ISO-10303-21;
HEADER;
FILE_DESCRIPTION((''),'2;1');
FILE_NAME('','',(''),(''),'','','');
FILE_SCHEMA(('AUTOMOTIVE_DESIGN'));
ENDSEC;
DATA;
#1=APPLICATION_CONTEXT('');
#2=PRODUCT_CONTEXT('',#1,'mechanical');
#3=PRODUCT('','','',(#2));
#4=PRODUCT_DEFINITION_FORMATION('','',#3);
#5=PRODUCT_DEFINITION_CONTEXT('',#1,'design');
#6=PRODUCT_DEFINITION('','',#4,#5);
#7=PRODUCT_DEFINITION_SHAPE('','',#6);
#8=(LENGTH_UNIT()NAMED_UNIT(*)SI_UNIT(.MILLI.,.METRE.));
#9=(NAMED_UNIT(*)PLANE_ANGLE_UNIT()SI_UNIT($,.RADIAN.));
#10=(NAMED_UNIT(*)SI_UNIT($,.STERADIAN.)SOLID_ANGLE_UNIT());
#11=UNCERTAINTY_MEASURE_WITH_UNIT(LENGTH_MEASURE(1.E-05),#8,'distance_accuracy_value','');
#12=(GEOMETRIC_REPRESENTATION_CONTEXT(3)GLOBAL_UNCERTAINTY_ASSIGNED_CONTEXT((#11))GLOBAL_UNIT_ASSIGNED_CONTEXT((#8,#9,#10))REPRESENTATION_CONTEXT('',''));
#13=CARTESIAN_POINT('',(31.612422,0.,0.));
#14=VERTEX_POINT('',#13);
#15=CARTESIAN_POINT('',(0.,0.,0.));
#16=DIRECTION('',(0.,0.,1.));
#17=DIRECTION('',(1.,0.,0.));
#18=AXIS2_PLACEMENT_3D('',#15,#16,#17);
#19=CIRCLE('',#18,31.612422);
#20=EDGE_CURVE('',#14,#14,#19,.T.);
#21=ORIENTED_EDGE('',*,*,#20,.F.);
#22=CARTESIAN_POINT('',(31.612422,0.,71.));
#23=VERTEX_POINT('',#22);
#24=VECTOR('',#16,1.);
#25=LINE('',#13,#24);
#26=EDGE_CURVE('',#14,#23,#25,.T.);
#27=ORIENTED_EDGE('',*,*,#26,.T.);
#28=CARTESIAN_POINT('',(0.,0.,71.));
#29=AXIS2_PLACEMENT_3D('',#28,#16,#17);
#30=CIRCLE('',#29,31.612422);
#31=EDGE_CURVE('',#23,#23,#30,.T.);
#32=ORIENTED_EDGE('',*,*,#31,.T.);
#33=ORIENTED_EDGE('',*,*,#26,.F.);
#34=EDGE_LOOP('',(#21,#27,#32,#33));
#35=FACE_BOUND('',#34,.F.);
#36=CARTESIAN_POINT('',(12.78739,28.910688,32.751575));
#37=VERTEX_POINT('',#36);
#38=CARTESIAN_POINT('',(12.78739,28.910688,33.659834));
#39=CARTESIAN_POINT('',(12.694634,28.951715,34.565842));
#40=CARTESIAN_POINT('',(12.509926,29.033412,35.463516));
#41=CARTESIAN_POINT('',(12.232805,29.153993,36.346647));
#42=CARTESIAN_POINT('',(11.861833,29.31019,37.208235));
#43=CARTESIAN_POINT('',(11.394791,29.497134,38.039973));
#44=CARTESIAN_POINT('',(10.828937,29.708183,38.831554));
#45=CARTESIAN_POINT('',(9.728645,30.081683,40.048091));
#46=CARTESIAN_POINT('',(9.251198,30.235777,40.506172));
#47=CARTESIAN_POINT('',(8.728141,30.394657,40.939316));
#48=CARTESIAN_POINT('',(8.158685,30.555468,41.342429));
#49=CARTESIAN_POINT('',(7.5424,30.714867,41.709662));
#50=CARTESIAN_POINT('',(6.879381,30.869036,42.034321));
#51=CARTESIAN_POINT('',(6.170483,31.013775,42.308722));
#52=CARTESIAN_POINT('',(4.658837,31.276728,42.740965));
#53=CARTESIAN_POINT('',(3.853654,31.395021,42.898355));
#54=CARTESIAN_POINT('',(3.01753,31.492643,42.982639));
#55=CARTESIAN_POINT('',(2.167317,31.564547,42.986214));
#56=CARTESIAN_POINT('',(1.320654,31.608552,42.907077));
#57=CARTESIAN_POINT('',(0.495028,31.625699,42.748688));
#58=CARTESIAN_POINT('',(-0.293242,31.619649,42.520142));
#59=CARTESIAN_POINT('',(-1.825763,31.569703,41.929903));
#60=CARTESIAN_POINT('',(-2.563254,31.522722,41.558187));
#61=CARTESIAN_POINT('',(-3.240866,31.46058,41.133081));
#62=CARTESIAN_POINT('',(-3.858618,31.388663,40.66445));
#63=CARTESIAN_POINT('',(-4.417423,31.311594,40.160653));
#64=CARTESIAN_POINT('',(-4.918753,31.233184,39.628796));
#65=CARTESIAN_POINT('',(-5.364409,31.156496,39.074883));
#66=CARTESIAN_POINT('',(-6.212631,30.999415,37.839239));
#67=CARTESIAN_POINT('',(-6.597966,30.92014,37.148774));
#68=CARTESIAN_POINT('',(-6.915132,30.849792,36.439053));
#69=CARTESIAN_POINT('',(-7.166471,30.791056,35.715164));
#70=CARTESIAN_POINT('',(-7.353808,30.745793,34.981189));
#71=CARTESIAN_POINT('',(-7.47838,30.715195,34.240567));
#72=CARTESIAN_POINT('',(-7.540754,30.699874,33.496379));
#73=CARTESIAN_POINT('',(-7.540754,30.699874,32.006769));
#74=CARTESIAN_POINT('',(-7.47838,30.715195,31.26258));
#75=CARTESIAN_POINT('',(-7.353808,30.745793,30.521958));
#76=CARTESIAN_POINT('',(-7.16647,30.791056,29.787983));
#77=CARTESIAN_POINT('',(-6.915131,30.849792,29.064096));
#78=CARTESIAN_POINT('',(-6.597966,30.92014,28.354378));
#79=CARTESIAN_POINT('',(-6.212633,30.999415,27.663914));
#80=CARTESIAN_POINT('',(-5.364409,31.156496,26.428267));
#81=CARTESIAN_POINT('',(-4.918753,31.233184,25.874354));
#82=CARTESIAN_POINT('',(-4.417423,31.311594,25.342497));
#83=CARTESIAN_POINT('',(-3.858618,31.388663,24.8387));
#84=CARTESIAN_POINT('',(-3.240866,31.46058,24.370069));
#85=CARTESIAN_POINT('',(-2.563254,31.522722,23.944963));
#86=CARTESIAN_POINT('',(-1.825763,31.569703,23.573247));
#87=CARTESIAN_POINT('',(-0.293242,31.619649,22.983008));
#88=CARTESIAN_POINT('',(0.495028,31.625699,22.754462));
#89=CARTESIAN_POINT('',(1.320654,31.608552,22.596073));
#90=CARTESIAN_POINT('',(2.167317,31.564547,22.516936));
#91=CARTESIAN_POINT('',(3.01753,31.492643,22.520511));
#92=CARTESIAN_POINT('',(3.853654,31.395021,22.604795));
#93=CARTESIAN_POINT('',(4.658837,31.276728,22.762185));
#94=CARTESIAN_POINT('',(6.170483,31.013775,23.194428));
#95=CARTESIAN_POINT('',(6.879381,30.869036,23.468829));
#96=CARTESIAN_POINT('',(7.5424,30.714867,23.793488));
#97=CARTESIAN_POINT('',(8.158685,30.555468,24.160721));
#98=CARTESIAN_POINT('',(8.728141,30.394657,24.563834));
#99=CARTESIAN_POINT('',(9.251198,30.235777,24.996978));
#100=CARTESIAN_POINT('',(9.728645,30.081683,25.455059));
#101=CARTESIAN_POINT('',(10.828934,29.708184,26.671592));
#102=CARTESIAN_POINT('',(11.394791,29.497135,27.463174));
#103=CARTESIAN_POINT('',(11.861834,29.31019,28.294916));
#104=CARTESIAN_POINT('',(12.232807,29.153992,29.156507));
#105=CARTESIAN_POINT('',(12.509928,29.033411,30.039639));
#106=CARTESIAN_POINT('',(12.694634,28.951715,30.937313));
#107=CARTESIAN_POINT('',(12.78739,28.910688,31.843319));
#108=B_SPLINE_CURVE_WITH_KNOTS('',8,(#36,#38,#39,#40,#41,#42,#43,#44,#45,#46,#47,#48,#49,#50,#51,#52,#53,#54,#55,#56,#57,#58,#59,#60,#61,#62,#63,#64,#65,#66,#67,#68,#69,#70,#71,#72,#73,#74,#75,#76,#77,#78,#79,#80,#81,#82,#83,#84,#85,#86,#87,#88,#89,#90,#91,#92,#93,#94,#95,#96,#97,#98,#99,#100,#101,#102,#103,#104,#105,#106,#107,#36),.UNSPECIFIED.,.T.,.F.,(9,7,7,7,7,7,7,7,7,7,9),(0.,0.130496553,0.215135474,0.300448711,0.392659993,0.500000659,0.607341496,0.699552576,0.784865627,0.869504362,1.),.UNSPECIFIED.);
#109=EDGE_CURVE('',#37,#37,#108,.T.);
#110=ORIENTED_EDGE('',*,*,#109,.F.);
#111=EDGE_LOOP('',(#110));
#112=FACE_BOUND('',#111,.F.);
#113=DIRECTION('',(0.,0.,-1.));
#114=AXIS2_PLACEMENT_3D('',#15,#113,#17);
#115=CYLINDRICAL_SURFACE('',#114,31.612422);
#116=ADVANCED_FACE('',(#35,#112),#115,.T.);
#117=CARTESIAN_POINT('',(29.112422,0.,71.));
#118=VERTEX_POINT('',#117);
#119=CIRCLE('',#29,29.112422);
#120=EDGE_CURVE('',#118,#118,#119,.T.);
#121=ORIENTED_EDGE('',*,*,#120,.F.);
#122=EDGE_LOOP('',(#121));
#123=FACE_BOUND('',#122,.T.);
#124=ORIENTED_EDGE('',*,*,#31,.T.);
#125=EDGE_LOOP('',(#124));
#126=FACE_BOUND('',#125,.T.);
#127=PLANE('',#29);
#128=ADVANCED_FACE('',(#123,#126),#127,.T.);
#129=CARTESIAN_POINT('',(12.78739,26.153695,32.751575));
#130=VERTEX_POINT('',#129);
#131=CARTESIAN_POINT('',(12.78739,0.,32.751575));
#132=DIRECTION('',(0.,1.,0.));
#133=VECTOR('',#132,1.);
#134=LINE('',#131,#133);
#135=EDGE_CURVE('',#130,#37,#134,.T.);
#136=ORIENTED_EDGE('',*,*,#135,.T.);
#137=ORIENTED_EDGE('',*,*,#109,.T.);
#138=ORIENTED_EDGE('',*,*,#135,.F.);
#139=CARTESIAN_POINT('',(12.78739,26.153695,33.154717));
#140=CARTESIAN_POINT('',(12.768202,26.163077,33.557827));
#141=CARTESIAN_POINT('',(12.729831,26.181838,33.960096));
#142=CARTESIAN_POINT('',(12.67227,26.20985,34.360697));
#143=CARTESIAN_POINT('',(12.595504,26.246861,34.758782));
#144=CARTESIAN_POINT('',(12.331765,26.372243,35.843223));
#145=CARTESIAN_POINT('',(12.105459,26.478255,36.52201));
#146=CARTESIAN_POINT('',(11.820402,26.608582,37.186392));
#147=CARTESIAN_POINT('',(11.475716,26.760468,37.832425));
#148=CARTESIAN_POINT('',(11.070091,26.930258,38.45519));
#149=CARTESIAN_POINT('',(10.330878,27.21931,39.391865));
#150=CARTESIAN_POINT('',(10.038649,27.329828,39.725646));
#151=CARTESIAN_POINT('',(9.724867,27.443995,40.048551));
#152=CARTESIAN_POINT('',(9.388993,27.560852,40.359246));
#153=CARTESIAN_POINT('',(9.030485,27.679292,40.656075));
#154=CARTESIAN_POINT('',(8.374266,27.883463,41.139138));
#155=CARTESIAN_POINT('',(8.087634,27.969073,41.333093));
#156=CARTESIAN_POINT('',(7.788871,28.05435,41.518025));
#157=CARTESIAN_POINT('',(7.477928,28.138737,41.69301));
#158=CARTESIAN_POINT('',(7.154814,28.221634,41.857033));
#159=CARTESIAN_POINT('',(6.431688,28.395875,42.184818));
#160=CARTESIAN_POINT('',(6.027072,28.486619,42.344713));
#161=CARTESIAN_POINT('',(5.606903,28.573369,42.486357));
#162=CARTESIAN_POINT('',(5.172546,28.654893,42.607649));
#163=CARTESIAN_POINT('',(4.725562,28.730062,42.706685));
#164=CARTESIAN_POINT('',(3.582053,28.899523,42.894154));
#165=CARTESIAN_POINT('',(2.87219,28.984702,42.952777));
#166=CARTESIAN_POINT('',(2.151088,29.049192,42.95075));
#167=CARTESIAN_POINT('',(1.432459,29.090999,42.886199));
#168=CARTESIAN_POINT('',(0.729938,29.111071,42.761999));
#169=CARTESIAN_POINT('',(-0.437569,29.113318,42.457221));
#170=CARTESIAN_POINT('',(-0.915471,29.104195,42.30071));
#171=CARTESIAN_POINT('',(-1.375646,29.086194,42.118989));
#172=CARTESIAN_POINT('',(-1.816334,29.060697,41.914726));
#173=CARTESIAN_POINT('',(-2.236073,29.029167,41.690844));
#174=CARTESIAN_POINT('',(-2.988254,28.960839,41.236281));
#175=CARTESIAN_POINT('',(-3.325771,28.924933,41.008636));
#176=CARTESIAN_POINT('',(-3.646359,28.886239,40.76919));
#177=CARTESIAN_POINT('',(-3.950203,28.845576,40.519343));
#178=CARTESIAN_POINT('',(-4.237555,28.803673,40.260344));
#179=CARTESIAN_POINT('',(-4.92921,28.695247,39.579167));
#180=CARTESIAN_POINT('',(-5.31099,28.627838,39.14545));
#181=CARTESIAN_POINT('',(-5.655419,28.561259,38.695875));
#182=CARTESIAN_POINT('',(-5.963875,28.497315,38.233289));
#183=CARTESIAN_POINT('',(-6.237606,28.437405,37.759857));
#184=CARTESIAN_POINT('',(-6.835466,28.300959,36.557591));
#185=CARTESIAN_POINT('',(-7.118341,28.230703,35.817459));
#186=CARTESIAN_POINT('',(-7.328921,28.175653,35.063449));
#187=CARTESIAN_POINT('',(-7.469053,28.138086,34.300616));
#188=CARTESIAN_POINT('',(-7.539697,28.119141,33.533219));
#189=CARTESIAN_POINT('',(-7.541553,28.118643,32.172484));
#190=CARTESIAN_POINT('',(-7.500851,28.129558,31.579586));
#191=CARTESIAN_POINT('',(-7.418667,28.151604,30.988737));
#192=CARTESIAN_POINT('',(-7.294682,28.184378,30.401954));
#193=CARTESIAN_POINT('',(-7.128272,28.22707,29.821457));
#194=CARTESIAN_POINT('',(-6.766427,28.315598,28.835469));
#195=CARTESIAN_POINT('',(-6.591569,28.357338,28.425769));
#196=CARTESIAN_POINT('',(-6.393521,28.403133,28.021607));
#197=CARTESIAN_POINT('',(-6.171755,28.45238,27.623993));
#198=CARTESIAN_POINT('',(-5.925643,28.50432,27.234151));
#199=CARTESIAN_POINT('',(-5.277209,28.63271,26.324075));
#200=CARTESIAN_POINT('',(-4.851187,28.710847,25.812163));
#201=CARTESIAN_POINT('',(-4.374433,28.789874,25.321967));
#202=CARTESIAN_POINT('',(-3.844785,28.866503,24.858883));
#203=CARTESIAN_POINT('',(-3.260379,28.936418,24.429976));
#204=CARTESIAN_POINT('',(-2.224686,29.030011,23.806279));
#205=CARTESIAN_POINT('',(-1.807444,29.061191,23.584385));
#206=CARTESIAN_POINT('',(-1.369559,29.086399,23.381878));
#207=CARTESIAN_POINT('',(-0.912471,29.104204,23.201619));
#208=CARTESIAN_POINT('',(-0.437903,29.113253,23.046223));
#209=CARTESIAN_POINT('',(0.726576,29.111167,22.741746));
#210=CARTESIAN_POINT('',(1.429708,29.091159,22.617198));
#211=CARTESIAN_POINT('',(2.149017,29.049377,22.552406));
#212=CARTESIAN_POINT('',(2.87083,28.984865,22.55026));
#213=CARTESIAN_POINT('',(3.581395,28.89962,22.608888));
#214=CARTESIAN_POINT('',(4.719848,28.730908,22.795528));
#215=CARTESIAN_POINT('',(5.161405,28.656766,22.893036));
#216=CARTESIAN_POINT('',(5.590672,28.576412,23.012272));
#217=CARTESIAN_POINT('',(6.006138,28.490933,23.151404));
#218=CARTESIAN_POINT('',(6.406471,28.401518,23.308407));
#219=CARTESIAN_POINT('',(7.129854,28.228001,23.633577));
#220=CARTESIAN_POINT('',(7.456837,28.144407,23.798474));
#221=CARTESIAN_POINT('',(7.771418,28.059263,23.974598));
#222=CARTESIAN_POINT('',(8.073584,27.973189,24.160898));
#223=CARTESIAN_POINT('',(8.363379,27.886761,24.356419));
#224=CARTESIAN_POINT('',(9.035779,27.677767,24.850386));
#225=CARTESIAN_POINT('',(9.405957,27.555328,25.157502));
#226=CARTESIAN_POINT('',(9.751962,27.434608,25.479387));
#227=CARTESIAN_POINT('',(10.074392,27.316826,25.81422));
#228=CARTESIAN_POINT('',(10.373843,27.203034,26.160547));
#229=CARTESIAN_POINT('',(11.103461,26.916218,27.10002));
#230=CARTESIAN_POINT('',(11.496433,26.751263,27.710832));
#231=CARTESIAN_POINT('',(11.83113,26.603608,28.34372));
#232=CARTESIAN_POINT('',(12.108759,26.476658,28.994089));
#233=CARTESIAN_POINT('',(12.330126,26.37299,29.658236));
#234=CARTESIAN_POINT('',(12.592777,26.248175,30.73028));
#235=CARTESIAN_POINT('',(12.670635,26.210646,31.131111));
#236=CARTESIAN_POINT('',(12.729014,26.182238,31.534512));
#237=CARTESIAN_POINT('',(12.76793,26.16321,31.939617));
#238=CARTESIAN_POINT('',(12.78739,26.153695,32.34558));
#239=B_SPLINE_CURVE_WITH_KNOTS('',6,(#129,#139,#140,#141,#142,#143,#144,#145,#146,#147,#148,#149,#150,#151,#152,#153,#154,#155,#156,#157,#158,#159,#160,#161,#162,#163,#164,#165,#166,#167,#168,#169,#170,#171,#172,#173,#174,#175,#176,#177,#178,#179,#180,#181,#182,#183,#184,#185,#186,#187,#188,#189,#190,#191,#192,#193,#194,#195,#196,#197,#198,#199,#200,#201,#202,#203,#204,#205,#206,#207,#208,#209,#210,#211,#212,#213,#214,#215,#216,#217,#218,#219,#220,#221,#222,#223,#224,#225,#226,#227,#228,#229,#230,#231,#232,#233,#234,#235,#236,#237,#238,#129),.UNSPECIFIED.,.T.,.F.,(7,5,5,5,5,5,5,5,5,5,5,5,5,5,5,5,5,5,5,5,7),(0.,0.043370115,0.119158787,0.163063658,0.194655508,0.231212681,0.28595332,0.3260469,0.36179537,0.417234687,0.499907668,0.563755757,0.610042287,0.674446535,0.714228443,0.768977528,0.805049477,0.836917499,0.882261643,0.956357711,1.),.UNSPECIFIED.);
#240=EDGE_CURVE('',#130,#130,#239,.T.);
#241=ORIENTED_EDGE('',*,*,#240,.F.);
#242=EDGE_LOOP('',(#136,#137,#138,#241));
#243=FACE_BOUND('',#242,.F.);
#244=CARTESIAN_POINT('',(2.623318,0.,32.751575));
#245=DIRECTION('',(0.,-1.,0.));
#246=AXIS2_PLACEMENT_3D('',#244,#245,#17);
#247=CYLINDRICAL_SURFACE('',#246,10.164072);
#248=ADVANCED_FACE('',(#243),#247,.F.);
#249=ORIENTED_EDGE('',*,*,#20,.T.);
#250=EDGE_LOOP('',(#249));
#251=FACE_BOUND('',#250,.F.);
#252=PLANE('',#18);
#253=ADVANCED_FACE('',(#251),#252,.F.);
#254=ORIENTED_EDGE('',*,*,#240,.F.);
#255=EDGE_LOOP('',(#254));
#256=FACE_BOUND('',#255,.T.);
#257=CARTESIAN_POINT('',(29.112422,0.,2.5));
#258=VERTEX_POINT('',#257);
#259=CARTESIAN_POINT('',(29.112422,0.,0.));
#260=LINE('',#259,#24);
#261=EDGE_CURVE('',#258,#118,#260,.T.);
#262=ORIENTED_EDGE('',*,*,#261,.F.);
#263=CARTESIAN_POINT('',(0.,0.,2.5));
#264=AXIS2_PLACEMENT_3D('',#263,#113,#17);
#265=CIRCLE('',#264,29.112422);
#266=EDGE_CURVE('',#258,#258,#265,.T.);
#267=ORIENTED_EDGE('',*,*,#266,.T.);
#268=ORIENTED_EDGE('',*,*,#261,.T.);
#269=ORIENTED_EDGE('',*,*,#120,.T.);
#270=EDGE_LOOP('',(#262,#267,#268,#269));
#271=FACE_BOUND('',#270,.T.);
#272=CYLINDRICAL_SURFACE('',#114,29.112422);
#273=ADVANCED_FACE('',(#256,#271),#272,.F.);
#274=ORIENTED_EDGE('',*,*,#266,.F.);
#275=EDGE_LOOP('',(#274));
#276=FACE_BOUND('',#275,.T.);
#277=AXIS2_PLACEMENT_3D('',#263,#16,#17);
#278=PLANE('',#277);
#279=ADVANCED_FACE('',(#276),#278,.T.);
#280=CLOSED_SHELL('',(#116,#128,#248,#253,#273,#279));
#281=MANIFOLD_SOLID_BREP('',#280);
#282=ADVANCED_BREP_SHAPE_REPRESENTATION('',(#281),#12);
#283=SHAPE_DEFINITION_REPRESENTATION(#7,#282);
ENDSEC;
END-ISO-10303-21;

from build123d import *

# Parameters (mm, degrees)
F0_R     = 31.612422
F1_DEPTH = 71
F2_T     = -2.5
F3_R     = 10.164072
F4_DEPTH = 100


with BuildPart() as f1:
    # F0 (on Top) → F1 (new body)
    with BuildSketch(Plane.XY):
        Circle(F0_R)
    extrude(amount=F1_DEPTH)

    # F2
    f2_openings = [f1.faces().sort_by_distance(p)[0] for p in [
        (0, 0, 71),
    ]]
    offset(amount=F2_T, openings=f2_openings)

    # F3 (on Front) → F4 (cut)
    with BuildSketch(Plane.XZ):
        with Locations((2.623318, 32.751575)):
            Circle(F3_R)
    extrude(amount=-F4_DEPTH, mode=Mode.SUBTRACT)


solid = f1.part
